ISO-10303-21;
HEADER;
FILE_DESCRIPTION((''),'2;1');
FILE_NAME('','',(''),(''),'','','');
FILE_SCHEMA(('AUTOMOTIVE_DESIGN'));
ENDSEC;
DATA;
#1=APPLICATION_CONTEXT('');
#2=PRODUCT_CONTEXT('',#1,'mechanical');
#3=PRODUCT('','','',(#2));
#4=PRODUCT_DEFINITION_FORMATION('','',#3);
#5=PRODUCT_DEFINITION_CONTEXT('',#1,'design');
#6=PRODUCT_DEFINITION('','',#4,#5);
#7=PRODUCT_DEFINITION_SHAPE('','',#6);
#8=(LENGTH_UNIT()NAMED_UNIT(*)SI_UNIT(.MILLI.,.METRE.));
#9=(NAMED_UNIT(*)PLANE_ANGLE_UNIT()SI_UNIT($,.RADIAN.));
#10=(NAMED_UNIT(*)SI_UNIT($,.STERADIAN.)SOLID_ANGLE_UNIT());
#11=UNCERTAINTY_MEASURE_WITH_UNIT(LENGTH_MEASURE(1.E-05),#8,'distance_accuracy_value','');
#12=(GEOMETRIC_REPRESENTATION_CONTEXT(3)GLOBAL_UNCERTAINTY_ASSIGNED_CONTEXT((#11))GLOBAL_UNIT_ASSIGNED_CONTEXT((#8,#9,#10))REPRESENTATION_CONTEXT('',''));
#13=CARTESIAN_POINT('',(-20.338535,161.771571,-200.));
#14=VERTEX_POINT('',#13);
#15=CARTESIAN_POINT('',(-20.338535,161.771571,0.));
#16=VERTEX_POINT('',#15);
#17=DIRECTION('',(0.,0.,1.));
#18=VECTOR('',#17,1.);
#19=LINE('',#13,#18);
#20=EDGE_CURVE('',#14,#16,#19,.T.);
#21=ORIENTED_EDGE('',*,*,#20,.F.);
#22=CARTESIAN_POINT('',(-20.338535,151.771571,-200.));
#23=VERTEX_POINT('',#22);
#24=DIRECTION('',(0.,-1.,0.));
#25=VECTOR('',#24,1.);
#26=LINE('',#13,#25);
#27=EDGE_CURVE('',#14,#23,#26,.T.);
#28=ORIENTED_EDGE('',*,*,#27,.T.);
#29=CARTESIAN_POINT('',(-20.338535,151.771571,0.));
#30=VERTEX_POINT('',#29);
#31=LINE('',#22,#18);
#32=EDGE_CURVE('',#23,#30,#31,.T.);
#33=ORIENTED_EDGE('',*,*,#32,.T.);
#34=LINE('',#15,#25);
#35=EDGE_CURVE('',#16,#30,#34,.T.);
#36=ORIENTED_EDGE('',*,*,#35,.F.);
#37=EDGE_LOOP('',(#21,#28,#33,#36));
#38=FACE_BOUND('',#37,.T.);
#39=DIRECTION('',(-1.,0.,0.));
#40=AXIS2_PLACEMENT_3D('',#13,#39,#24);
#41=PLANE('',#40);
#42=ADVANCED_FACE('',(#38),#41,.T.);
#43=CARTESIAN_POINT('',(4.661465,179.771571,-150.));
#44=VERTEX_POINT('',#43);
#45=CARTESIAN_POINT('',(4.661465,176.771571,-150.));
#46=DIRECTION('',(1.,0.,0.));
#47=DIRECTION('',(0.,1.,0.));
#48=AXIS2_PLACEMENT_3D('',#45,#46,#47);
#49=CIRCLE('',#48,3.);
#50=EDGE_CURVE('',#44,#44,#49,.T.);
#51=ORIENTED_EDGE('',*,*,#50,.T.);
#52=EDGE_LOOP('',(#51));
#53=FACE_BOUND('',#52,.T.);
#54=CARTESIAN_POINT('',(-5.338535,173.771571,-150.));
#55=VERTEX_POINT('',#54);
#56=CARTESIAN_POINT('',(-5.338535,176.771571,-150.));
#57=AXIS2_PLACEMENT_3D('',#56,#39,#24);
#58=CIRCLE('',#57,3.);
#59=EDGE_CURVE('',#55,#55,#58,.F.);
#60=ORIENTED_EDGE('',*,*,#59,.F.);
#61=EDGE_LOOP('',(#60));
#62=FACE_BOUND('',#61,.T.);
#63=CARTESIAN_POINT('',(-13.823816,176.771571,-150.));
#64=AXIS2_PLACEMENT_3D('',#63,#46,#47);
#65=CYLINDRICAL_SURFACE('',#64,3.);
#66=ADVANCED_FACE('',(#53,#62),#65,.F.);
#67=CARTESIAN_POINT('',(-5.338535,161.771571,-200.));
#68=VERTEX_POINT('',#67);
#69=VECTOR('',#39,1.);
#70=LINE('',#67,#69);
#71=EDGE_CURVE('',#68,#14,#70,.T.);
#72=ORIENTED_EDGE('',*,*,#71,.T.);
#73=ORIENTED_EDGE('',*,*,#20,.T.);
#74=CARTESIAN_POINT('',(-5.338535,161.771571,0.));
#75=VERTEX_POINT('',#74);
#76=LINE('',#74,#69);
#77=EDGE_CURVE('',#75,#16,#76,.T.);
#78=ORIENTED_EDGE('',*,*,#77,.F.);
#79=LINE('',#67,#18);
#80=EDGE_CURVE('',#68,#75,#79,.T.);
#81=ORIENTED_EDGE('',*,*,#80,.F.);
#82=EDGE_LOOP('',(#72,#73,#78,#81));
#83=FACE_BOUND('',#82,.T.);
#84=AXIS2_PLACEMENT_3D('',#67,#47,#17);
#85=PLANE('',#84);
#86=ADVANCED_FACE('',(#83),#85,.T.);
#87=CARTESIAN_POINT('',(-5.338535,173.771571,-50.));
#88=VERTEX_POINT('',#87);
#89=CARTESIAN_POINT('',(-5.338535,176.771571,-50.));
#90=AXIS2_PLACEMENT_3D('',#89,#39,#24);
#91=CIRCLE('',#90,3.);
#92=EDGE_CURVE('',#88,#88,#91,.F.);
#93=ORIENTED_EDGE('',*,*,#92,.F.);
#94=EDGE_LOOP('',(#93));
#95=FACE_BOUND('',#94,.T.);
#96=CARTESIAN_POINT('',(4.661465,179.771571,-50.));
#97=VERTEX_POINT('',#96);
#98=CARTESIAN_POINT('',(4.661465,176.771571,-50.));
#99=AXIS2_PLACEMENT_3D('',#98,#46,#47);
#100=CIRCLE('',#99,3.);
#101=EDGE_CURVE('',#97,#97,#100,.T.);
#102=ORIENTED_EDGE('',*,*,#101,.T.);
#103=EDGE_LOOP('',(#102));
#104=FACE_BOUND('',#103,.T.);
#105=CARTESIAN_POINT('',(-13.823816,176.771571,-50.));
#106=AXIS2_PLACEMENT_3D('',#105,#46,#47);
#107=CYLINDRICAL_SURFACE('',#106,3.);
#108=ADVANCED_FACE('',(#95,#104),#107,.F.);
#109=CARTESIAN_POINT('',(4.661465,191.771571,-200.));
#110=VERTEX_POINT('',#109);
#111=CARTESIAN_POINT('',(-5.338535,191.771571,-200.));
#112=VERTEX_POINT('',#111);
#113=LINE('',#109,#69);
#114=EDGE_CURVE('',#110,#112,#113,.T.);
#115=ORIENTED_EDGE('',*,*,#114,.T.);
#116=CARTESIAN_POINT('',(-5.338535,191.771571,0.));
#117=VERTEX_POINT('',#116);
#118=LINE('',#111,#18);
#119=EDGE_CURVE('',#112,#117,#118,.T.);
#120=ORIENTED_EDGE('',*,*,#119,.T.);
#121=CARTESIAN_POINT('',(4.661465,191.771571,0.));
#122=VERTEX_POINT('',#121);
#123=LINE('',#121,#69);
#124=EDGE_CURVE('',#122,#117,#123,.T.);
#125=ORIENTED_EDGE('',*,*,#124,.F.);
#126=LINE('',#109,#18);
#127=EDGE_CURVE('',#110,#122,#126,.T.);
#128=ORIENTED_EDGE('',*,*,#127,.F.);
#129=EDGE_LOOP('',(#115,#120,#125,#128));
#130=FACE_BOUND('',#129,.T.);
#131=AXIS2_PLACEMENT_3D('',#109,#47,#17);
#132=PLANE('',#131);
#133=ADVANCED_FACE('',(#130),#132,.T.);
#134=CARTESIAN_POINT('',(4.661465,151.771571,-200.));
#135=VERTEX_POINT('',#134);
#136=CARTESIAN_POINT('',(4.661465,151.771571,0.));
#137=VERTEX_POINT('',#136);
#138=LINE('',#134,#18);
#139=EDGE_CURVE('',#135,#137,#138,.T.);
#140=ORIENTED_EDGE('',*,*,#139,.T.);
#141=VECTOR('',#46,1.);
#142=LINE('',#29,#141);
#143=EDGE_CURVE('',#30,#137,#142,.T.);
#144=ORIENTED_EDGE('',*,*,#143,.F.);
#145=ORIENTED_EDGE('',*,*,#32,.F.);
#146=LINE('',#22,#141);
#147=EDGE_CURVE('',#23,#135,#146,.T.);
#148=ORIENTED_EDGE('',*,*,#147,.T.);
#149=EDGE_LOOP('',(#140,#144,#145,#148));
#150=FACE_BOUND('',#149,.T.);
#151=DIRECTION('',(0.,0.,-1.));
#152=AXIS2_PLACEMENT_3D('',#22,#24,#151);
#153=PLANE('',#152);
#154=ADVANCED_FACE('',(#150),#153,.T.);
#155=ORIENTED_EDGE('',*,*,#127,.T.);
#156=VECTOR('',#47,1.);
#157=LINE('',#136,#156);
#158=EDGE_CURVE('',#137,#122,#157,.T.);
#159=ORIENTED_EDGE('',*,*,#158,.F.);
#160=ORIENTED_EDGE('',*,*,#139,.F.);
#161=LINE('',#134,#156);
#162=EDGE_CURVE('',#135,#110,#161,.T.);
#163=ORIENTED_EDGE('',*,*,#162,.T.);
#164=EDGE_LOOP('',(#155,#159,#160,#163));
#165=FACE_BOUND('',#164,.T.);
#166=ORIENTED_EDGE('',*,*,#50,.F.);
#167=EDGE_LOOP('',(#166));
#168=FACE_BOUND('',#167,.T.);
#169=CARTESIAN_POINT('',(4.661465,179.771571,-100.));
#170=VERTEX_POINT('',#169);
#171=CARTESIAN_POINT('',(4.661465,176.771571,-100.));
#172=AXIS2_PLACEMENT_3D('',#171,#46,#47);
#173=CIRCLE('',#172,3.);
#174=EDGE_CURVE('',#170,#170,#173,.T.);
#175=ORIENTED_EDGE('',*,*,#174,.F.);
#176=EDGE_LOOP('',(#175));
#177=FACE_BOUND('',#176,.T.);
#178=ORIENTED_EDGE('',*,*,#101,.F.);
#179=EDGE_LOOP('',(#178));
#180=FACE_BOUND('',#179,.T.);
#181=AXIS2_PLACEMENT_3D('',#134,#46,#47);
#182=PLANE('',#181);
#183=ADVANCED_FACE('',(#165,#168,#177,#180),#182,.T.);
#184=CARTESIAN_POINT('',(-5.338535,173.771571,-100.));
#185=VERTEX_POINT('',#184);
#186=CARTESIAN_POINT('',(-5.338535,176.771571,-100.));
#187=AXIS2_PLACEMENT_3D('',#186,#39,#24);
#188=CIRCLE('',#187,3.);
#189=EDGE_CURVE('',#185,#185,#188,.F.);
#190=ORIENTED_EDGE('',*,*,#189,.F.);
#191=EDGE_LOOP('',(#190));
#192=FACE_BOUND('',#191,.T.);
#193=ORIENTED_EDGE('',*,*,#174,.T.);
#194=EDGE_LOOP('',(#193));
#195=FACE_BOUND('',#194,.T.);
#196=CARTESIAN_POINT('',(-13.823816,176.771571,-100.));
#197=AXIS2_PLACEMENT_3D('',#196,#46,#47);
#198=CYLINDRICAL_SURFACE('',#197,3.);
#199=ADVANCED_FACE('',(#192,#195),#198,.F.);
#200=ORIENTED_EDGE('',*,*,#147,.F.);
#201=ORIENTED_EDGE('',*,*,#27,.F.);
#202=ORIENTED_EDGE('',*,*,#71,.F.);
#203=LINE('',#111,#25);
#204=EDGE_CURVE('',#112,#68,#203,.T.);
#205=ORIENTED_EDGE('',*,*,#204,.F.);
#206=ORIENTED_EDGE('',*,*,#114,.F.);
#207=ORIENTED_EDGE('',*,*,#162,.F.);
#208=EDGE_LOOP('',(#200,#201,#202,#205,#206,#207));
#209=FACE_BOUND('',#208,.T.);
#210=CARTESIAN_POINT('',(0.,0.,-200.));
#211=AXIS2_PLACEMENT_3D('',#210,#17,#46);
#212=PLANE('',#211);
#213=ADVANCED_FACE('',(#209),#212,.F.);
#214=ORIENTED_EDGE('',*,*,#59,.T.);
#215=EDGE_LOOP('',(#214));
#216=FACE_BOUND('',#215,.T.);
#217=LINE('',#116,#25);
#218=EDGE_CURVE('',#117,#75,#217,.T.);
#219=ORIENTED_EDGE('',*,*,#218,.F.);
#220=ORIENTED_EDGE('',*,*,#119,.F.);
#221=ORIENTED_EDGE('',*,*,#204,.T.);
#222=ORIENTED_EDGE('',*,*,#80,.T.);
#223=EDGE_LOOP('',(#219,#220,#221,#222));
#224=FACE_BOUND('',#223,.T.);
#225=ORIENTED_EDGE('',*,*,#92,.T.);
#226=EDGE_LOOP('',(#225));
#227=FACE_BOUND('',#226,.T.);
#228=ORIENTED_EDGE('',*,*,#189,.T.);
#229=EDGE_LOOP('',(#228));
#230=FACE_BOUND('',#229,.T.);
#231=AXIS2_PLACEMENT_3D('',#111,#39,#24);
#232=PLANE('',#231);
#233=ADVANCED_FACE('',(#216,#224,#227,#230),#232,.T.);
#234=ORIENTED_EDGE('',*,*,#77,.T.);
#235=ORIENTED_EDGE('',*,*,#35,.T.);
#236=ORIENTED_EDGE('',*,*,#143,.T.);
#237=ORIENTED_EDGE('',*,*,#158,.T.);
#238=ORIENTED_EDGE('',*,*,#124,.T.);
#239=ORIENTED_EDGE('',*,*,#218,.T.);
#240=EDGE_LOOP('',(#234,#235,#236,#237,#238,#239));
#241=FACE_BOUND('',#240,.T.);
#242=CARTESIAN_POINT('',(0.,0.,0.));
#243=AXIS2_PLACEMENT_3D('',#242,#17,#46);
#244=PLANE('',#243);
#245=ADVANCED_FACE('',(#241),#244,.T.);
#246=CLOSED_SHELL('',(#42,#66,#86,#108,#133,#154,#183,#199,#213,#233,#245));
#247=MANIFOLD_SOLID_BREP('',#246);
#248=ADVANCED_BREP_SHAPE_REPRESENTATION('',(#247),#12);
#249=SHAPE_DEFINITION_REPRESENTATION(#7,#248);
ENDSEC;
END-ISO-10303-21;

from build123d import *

# Parameters (mm, degrees)
EXTRUDE_1_DEPTH     = 200
CUT_EXTRUDE_START   = -10
SKETCH_2_R          = 3
CUT_EXTRUDE_1_DEPTH = 289.210954711
LPATTERN1_COUNT     = 3
LPATTERN1_PITCH     = 50


with BuildPart() as part:
    # 草圖1 → 填料-伸長1 (new body)
    with BuildSketch(Plane.XY):
        Polygon((-5.338534676, 191.77157068), (-5.338534676, 161.77157068), (-20.338534676, 161.77157068), (-20.338534676, 151.77157068), (4.661465324, 151.77157068), (4.661465324, 191.77157068), align=None)
    extrude(amount=-EXTRUDE_1_DEPTH)

    # 草圖2 → 除料-伸長1 (cut)
    with BuildSketch(Plane(origin=(4.661465324, 0, 0), x_dir=(0, 0, -1), z_dir=(1, 0, 0)).offset(CUT_EXTRUDE_START)):
        with Locations(Location((150, 176.77157068, 0), (0, 0, 90))):
            Circle(SKETCH_2_R)
    cut_extrude_1 = extrude(amount=CUT_EXTRUDE_1_DEPTH, mode=Mode.SUBTRACT)

    # LPattern1: 除料-伸長1 ×3
    with Locations(*[(0, 0, i * LPATTERN1_PITCH) for i in range(1, LPATTERN1_COUNT)]):
        add(cut_extrude_1, mode=Mode.SUBTRACT)


solid = part.part
